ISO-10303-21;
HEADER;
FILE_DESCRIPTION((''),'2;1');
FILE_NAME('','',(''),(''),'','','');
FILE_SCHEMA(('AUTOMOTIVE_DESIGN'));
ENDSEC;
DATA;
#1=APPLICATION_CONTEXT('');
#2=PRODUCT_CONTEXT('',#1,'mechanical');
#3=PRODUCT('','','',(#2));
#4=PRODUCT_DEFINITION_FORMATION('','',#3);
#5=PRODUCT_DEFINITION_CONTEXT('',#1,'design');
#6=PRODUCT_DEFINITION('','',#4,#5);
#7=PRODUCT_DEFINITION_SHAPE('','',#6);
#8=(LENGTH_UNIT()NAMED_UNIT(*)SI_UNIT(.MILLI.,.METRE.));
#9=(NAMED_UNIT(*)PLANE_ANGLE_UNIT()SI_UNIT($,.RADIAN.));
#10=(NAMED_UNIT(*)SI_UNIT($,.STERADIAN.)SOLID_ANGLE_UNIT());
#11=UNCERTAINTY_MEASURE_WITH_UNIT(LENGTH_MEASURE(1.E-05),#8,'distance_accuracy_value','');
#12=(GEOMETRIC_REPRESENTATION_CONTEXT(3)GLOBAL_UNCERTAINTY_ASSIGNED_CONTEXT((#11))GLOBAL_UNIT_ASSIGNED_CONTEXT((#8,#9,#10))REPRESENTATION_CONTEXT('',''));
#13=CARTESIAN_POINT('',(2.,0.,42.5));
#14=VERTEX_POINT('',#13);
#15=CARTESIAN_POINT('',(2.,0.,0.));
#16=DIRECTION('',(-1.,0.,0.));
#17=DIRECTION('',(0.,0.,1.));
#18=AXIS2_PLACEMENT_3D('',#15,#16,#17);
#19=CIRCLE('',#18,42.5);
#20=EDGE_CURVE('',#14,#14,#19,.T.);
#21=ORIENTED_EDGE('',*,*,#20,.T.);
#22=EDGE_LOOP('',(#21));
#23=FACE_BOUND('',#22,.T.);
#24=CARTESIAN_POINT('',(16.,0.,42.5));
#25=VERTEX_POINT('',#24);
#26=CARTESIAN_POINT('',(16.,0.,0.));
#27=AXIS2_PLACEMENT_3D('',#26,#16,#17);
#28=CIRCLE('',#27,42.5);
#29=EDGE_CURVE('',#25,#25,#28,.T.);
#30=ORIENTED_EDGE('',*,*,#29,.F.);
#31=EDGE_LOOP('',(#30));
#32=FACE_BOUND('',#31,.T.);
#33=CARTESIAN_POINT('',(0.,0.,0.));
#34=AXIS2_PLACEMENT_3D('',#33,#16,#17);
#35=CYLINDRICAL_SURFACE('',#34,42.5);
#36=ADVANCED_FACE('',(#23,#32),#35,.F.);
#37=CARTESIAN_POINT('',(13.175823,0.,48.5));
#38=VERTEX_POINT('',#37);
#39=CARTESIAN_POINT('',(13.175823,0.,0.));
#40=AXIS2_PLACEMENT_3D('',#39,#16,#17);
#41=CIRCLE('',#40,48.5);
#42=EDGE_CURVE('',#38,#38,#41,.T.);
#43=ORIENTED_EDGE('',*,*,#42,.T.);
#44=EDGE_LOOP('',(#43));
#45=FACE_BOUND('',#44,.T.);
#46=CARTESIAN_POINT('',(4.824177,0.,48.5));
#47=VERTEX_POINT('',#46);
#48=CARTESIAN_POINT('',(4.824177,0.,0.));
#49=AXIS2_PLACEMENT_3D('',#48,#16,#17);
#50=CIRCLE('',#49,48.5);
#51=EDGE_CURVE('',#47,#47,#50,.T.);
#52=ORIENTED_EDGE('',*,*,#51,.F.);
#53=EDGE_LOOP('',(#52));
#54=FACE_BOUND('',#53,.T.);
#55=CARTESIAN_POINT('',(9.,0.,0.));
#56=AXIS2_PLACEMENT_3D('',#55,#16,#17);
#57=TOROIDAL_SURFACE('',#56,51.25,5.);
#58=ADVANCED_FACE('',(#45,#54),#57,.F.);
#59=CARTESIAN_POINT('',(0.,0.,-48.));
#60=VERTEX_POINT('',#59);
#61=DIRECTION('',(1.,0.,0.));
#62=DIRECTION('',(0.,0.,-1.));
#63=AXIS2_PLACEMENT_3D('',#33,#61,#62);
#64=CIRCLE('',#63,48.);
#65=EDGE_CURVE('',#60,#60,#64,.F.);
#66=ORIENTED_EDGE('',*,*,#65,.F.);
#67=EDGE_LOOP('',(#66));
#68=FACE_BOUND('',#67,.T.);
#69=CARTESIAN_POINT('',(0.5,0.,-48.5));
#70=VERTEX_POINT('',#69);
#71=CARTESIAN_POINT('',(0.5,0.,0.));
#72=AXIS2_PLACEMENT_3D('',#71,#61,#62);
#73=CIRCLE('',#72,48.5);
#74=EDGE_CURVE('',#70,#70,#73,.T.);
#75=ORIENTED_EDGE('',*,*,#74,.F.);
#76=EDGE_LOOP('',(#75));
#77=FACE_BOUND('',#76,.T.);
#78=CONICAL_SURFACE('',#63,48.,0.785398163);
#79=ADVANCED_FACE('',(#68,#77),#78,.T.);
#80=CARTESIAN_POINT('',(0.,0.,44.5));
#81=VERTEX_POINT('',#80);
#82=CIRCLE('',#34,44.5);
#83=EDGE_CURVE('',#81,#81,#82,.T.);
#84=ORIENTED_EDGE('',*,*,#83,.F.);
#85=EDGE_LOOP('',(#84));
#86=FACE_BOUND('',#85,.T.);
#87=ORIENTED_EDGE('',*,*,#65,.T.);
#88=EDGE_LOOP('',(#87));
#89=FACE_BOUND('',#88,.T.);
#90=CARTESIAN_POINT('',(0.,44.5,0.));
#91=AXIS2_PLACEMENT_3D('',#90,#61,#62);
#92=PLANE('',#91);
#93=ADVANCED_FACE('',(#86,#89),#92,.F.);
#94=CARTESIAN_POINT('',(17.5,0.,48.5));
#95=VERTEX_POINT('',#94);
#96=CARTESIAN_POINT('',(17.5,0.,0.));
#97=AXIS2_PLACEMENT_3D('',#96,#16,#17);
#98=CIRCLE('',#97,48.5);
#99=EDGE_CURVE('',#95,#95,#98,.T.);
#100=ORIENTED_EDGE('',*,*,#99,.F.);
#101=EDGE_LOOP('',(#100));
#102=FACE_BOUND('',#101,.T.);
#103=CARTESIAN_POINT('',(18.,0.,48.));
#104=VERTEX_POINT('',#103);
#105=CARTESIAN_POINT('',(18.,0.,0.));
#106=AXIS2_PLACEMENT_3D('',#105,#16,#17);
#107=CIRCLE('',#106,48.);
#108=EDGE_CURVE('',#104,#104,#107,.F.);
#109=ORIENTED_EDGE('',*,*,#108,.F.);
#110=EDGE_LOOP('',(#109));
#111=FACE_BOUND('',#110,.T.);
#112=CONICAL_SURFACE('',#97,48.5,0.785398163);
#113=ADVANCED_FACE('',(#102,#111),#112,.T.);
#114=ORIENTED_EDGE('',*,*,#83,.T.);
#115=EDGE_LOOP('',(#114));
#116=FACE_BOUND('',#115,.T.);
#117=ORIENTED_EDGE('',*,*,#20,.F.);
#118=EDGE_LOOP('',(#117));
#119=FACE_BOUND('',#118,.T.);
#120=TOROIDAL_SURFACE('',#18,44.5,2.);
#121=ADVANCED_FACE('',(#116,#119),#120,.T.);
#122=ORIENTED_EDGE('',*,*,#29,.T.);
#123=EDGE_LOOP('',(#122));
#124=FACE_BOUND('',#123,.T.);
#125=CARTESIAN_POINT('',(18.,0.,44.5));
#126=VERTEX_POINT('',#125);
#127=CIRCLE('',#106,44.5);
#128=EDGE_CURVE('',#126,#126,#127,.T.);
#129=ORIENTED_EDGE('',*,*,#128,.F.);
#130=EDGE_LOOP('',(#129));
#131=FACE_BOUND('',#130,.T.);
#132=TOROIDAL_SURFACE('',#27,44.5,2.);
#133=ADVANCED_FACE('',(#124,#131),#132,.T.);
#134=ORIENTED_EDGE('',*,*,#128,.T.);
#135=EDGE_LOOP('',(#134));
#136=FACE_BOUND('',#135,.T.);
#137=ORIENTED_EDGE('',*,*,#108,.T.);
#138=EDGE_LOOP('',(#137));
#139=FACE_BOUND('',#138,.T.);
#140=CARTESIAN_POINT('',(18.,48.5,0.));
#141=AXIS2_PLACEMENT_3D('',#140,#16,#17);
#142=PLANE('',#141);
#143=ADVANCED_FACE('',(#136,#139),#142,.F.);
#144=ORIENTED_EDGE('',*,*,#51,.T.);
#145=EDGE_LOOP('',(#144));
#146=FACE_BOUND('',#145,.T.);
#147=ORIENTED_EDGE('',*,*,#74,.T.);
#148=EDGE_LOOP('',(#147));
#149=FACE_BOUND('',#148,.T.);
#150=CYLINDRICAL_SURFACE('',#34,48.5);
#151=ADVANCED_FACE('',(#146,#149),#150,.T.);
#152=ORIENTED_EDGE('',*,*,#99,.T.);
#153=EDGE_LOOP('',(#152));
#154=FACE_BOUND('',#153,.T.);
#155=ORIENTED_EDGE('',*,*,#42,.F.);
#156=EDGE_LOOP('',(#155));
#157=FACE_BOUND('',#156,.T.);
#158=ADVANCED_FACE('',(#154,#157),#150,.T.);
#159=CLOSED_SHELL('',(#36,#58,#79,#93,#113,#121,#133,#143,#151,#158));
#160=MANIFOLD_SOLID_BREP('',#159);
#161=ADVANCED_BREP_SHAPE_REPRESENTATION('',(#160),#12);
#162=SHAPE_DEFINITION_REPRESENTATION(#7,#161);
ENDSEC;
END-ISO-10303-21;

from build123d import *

# Parameters (mm, degrees)
CHANFREIN2_SIZE = 0.5


with BuildPart() as part:
    # Esquisse1 → Base-Révolution (revolve)
    with BuildSketch(Plane.XY, mode=Mode.PRIVATE) as base_r_volution_sk:
        with BuildLine():
            Line((2, 42.5), (16, 42.5))
            ThreePointArc((16, 42.5), (17.414213562, 43.085786438), (18, 44.5))
            Line((18, 44.5), (18, 48.5))
            Line((18, 48.5), (13.175823272, 48.5))
            ThreePointArc((13.175823272, 48.5), (9, 46.25), (4.824176728, 48.5))
            Line((4.824176728, 48.5), (0, 48.5))
            Line((0, 48.5), (0, 44.5))
            ThreePointArc((0, 44.5), (0.585786438, 43.085786438), (2, 42.5))
        make_face()
    revolve(base_r_volution_sk.sketch.rotate(Axis((0, 0, 0), (1, 0, 0)), 90), axis=Axis((0, 0, 0), (1, 0, 0)))

    # Chanfrein2
    chanfrein2_edges = [part.edges().sort_by_distance(p)[0] for p in [
        (18, 0, -48.5),
        (0, 0, -48.5),
    ]]
    chamfer(chanfrein2_edges, length=CHANFREIN2_SIZE)


solid = part.part
